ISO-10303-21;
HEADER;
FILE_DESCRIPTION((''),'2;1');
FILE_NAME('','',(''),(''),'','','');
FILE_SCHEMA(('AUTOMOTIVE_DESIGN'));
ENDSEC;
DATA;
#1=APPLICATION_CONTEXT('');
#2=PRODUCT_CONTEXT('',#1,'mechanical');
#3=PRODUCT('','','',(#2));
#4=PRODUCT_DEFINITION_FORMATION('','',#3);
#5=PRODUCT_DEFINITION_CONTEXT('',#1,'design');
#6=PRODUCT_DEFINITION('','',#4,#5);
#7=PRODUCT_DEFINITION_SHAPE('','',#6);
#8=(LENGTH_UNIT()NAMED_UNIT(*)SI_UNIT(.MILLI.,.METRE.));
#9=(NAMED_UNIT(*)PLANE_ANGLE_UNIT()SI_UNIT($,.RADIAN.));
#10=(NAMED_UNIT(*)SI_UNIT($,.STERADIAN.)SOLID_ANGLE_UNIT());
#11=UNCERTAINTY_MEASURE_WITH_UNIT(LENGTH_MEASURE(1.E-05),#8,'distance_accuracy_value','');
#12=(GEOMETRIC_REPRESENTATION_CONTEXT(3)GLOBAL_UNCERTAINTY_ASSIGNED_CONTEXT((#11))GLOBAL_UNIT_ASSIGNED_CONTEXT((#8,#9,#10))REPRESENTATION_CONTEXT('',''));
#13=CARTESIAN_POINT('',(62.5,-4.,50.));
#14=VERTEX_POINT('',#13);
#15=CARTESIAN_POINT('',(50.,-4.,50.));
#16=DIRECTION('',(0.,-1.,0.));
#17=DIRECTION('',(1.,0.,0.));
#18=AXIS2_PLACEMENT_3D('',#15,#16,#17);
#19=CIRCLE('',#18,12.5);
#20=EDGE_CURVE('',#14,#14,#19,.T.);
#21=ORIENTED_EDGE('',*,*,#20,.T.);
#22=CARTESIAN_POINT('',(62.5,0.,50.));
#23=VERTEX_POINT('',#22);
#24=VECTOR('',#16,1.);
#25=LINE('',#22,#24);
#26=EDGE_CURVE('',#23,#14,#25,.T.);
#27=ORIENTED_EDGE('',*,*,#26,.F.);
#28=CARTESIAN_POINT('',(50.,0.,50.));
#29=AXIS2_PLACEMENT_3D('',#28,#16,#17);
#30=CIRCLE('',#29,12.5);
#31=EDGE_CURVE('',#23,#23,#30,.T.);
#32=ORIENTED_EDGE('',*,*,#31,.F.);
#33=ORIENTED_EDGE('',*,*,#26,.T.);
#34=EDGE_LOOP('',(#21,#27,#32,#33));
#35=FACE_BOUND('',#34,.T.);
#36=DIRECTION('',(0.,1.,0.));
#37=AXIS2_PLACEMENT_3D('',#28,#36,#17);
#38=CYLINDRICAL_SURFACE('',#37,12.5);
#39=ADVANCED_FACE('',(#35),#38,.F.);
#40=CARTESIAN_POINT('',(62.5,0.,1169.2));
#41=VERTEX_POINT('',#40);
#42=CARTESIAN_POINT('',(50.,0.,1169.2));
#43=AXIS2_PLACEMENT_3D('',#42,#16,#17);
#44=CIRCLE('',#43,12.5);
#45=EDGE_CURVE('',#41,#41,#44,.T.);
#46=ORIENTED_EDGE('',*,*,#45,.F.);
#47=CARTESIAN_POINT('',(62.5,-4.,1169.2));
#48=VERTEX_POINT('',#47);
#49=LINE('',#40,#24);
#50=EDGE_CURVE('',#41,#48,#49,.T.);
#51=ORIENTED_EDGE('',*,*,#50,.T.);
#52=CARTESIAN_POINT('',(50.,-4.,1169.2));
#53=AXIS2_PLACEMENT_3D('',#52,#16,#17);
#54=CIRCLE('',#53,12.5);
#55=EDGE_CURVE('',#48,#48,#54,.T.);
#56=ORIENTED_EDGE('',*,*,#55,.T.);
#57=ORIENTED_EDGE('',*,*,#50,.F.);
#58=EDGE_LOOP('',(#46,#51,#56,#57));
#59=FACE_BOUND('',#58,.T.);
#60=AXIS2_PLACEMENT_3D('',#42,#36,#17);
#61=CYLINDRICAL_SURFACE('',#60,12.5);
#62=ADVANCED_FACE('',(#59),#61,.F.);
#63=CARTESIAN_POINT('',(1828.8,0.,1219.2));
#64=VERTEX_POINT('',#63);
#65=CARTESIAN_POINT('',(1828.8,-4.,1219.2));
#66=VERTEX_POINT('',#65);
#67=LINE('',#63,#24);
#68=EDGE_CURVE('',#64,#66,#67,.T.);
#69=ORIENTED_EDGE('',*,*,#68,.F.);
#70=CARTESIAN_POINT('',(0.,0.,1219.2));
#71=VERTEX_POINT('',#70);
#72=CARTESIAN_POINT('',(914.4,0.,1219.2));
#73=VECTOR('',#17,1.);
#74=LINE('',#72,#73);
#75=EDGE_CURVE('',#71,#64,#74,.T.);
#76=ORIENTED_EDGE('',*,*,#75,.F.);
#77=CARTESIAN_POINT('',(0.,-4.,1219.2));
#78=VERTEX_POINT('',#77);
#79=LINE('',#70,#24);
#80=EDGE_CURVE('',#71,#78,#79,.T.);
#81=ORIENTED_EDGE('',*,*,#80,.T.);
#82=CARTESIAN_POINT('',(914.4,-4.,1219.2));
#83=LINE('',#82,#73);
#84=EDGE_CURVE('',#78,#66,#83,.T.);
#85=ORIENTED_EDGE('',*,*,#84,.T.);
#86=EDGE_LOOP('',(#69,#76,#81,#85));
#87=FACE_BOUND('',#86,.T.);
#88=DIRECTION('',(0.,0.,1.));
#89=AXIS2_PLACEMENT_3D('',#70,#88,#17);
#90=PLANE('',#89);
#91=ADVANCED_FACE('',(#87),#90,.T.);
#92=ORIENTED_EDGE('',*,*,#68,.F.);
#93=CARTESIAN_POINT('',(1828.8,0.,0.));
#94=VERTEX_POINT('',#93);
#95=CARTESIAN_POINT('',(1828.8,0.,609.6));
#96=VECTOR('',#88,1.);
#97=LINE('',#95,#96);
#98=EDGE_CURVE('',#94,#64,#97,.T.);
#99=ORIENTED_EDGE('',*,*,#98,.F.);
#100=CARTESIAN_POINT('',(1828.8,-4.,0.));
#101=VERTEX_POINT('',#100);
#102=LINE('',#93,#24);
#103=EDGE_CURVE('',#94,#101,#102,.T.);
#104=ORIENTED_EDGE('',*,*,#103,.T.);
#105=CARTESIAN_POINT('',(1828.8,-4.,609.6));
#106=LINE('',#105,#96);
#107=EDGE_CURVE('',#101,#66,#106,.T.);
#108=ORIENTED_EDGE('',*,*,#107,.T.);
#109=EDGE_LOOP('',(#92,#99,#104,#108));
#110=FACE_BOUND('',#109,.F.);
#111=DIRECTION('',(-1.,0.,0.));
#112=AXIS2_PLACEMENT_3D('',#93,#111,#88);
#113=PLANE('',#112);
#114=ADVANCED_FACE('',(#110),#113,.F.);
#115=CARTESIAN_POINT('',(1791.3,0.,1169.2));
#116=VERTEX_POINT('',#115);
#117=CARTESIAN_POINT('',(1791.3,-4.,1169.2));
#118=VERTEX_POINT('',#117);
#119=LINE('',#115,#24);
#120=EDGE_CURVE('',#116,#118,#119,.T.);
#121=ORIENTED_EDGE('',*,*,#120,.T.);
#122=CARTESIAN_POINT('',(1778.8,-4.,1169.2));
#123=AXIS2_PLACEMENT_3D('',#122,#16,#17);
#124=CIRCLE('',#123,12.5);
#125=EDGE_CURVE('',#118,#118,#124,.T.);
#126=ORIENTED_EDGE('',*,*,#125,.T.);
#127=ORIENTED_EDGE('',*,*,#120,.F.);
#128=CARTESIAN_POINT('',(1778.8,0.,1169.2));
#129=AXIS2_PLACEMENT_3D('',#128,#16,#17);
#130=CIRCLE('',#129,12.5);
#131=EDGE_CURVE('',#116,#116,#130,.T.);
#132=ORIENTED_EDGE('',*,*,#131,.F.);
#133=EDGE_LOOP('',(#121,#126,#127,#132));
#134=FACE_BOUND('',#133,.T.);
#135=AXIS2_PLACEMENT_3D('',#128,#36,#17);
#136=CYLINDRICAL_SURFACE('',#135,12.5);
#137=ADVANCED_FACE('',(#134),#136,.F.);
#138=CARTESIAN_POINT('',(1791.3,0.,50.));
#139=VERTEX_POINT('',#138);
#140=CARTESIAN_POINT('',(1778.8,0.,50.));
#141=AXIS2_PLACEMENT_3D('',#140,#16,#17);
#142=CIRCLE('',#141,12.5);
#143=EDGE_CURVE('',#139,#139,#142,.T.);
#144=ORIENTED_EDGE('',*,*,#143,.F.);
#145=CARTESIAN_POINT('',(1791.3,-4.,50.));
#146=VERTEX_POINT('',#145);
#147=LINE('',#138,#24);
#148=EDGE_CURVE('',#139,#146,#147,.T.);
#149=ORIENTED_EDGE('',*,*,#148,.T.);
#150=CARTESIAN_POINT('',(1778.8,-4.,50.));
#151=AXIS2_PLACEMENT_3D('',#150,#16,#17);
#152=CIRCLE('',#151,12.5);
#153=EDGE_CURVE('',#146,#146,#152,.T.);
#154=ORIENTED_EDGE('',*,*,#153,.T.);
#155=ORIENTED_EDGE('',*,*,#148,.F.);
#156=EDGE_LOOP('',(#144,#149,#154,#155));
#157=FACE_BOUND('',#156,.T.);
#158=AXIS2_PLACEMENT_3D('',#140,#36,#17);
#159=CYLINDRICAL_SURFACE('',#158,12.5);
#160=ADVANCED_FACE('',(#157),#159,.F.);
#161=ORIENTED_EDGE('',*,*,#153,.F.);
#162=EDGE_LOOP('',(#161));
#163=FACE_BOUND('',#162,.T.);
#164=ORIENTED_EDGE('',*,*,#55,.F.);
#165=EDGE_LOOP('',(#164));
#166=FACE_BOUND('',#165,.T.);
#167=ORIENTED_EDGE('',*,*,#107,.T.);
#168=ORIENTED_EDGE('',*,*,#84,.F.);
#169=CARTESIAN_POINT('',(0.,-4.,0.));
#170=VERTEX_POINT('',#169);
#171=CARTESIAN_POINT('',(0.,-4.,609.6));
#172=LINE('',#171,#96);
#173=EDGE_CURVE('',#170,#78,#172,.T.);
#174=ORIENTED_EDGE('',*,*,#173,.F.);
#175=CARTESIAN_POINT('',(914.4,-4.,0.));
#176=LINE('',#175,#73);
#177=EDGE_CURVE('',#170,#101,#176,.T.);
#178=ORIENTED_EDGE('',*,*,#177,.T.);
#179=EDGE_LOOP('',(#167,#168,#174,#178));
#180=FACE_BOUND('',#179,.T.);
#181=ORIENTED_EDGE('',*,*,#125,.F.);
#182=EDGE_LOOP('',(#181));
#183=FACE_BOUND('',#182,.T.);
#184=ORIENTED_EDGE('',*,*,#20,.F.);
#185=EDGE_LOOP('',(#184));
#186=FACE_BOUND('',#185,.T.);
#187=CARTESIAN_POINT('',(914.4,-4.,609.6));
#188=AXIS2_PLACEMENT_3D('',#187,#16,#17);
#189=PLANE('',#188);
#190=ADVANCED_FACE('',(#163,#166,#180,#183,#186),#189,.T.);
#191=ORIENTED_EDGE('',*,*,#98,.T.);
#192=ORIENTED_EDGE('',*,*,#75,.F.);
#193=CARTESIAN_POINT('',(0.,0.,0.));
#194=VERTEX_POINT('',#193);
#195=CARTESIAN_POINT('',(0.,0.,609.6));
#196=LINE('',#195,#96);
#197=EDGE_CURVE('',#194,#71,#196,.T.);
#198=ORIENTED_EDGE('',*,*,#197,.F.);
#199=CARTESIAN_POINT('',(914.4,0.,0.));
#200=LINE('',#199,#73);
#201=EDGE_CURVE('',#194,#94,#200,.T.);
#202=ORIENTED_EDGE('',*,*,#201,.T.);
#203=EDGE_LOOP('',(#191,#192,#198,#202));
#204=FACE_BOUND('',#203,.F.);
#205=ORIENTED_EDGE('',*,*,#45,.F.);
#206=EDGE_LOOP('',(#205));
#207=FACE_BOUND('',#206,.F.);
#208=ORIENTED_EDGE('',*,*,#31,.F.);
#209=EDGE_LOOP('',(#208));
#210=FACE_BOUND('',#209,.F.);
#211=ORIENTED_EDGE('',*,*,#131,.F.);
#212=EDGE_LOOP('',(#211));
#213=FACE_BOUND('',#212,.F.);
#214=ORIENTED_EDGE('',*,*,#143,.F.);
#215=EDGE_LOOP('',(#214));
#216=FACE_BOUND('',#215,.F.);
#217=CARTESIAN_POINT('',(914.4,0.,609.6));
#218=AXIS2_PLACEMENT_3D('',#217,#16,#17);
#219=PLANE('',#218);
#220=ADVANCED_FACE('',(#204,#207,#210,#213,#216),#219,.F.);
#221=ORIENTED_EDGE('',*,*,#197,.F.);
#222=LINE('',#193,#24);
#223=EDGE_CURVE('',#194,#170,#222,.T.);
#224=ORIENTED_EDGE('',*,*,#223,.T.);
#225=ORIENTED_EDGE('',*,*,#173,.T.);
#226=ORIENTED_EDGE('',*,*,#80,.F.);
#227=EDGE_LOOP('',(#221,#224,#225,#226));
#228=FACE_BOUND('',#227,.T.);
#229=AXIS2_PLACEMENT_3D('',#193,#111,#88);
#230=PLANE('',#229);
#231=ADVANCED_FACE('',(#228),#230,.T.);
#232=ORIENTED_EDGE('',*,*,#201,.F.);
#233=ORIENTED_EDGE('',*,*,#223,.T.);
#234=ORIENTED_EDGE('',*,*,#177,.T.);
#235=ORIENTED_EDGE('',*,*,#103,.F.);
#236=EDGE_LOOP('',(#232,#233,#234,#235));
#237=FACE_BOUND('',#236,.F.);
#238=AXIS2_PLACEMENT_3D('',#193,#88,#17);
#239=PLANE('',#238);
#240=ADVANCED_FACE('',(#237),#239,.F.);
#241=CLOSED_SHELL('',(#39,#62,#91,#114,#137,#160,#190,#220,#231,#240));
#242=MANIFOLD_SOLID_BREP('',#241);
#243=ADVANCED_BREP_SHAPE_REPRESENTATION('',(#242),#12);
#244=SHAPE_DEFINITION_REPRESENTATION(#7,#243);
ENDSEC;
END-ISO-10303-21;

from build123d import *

# Parameters (mm, degrees)
SKETCH_W  = 1828.8
SKETCH_H  = 1219.2
SKETCH_R  = 12.5
PAD_DEPTH = 4


with BuildPart() as part:
    # Sketch → Pad (new body)
    with BuildSketch(Plane.XZ):
        with Locations((914.4, 609.6)):
            Rectangle(SKETCH_W, SKETCH_H)
        with Locations((50, 50)):
            Circle(SKETCH_R, mode=Mode.SUBTRACT)
        with Locations((1778.8, 50)):
            Circle(SKETCH_R, mode=Mode.SUBTRACT)
        with Locations((50, 1169.2)):
            Circle(SKETCH_R, mode=Mode.SUBTRACT)
        with Locations((1778.8, 1169.2)):
            Circle(SKETCH_R, mode=Mode.SUBTRACT)
    extrude(amount=PAD_DEPTH)


solid = part.part
